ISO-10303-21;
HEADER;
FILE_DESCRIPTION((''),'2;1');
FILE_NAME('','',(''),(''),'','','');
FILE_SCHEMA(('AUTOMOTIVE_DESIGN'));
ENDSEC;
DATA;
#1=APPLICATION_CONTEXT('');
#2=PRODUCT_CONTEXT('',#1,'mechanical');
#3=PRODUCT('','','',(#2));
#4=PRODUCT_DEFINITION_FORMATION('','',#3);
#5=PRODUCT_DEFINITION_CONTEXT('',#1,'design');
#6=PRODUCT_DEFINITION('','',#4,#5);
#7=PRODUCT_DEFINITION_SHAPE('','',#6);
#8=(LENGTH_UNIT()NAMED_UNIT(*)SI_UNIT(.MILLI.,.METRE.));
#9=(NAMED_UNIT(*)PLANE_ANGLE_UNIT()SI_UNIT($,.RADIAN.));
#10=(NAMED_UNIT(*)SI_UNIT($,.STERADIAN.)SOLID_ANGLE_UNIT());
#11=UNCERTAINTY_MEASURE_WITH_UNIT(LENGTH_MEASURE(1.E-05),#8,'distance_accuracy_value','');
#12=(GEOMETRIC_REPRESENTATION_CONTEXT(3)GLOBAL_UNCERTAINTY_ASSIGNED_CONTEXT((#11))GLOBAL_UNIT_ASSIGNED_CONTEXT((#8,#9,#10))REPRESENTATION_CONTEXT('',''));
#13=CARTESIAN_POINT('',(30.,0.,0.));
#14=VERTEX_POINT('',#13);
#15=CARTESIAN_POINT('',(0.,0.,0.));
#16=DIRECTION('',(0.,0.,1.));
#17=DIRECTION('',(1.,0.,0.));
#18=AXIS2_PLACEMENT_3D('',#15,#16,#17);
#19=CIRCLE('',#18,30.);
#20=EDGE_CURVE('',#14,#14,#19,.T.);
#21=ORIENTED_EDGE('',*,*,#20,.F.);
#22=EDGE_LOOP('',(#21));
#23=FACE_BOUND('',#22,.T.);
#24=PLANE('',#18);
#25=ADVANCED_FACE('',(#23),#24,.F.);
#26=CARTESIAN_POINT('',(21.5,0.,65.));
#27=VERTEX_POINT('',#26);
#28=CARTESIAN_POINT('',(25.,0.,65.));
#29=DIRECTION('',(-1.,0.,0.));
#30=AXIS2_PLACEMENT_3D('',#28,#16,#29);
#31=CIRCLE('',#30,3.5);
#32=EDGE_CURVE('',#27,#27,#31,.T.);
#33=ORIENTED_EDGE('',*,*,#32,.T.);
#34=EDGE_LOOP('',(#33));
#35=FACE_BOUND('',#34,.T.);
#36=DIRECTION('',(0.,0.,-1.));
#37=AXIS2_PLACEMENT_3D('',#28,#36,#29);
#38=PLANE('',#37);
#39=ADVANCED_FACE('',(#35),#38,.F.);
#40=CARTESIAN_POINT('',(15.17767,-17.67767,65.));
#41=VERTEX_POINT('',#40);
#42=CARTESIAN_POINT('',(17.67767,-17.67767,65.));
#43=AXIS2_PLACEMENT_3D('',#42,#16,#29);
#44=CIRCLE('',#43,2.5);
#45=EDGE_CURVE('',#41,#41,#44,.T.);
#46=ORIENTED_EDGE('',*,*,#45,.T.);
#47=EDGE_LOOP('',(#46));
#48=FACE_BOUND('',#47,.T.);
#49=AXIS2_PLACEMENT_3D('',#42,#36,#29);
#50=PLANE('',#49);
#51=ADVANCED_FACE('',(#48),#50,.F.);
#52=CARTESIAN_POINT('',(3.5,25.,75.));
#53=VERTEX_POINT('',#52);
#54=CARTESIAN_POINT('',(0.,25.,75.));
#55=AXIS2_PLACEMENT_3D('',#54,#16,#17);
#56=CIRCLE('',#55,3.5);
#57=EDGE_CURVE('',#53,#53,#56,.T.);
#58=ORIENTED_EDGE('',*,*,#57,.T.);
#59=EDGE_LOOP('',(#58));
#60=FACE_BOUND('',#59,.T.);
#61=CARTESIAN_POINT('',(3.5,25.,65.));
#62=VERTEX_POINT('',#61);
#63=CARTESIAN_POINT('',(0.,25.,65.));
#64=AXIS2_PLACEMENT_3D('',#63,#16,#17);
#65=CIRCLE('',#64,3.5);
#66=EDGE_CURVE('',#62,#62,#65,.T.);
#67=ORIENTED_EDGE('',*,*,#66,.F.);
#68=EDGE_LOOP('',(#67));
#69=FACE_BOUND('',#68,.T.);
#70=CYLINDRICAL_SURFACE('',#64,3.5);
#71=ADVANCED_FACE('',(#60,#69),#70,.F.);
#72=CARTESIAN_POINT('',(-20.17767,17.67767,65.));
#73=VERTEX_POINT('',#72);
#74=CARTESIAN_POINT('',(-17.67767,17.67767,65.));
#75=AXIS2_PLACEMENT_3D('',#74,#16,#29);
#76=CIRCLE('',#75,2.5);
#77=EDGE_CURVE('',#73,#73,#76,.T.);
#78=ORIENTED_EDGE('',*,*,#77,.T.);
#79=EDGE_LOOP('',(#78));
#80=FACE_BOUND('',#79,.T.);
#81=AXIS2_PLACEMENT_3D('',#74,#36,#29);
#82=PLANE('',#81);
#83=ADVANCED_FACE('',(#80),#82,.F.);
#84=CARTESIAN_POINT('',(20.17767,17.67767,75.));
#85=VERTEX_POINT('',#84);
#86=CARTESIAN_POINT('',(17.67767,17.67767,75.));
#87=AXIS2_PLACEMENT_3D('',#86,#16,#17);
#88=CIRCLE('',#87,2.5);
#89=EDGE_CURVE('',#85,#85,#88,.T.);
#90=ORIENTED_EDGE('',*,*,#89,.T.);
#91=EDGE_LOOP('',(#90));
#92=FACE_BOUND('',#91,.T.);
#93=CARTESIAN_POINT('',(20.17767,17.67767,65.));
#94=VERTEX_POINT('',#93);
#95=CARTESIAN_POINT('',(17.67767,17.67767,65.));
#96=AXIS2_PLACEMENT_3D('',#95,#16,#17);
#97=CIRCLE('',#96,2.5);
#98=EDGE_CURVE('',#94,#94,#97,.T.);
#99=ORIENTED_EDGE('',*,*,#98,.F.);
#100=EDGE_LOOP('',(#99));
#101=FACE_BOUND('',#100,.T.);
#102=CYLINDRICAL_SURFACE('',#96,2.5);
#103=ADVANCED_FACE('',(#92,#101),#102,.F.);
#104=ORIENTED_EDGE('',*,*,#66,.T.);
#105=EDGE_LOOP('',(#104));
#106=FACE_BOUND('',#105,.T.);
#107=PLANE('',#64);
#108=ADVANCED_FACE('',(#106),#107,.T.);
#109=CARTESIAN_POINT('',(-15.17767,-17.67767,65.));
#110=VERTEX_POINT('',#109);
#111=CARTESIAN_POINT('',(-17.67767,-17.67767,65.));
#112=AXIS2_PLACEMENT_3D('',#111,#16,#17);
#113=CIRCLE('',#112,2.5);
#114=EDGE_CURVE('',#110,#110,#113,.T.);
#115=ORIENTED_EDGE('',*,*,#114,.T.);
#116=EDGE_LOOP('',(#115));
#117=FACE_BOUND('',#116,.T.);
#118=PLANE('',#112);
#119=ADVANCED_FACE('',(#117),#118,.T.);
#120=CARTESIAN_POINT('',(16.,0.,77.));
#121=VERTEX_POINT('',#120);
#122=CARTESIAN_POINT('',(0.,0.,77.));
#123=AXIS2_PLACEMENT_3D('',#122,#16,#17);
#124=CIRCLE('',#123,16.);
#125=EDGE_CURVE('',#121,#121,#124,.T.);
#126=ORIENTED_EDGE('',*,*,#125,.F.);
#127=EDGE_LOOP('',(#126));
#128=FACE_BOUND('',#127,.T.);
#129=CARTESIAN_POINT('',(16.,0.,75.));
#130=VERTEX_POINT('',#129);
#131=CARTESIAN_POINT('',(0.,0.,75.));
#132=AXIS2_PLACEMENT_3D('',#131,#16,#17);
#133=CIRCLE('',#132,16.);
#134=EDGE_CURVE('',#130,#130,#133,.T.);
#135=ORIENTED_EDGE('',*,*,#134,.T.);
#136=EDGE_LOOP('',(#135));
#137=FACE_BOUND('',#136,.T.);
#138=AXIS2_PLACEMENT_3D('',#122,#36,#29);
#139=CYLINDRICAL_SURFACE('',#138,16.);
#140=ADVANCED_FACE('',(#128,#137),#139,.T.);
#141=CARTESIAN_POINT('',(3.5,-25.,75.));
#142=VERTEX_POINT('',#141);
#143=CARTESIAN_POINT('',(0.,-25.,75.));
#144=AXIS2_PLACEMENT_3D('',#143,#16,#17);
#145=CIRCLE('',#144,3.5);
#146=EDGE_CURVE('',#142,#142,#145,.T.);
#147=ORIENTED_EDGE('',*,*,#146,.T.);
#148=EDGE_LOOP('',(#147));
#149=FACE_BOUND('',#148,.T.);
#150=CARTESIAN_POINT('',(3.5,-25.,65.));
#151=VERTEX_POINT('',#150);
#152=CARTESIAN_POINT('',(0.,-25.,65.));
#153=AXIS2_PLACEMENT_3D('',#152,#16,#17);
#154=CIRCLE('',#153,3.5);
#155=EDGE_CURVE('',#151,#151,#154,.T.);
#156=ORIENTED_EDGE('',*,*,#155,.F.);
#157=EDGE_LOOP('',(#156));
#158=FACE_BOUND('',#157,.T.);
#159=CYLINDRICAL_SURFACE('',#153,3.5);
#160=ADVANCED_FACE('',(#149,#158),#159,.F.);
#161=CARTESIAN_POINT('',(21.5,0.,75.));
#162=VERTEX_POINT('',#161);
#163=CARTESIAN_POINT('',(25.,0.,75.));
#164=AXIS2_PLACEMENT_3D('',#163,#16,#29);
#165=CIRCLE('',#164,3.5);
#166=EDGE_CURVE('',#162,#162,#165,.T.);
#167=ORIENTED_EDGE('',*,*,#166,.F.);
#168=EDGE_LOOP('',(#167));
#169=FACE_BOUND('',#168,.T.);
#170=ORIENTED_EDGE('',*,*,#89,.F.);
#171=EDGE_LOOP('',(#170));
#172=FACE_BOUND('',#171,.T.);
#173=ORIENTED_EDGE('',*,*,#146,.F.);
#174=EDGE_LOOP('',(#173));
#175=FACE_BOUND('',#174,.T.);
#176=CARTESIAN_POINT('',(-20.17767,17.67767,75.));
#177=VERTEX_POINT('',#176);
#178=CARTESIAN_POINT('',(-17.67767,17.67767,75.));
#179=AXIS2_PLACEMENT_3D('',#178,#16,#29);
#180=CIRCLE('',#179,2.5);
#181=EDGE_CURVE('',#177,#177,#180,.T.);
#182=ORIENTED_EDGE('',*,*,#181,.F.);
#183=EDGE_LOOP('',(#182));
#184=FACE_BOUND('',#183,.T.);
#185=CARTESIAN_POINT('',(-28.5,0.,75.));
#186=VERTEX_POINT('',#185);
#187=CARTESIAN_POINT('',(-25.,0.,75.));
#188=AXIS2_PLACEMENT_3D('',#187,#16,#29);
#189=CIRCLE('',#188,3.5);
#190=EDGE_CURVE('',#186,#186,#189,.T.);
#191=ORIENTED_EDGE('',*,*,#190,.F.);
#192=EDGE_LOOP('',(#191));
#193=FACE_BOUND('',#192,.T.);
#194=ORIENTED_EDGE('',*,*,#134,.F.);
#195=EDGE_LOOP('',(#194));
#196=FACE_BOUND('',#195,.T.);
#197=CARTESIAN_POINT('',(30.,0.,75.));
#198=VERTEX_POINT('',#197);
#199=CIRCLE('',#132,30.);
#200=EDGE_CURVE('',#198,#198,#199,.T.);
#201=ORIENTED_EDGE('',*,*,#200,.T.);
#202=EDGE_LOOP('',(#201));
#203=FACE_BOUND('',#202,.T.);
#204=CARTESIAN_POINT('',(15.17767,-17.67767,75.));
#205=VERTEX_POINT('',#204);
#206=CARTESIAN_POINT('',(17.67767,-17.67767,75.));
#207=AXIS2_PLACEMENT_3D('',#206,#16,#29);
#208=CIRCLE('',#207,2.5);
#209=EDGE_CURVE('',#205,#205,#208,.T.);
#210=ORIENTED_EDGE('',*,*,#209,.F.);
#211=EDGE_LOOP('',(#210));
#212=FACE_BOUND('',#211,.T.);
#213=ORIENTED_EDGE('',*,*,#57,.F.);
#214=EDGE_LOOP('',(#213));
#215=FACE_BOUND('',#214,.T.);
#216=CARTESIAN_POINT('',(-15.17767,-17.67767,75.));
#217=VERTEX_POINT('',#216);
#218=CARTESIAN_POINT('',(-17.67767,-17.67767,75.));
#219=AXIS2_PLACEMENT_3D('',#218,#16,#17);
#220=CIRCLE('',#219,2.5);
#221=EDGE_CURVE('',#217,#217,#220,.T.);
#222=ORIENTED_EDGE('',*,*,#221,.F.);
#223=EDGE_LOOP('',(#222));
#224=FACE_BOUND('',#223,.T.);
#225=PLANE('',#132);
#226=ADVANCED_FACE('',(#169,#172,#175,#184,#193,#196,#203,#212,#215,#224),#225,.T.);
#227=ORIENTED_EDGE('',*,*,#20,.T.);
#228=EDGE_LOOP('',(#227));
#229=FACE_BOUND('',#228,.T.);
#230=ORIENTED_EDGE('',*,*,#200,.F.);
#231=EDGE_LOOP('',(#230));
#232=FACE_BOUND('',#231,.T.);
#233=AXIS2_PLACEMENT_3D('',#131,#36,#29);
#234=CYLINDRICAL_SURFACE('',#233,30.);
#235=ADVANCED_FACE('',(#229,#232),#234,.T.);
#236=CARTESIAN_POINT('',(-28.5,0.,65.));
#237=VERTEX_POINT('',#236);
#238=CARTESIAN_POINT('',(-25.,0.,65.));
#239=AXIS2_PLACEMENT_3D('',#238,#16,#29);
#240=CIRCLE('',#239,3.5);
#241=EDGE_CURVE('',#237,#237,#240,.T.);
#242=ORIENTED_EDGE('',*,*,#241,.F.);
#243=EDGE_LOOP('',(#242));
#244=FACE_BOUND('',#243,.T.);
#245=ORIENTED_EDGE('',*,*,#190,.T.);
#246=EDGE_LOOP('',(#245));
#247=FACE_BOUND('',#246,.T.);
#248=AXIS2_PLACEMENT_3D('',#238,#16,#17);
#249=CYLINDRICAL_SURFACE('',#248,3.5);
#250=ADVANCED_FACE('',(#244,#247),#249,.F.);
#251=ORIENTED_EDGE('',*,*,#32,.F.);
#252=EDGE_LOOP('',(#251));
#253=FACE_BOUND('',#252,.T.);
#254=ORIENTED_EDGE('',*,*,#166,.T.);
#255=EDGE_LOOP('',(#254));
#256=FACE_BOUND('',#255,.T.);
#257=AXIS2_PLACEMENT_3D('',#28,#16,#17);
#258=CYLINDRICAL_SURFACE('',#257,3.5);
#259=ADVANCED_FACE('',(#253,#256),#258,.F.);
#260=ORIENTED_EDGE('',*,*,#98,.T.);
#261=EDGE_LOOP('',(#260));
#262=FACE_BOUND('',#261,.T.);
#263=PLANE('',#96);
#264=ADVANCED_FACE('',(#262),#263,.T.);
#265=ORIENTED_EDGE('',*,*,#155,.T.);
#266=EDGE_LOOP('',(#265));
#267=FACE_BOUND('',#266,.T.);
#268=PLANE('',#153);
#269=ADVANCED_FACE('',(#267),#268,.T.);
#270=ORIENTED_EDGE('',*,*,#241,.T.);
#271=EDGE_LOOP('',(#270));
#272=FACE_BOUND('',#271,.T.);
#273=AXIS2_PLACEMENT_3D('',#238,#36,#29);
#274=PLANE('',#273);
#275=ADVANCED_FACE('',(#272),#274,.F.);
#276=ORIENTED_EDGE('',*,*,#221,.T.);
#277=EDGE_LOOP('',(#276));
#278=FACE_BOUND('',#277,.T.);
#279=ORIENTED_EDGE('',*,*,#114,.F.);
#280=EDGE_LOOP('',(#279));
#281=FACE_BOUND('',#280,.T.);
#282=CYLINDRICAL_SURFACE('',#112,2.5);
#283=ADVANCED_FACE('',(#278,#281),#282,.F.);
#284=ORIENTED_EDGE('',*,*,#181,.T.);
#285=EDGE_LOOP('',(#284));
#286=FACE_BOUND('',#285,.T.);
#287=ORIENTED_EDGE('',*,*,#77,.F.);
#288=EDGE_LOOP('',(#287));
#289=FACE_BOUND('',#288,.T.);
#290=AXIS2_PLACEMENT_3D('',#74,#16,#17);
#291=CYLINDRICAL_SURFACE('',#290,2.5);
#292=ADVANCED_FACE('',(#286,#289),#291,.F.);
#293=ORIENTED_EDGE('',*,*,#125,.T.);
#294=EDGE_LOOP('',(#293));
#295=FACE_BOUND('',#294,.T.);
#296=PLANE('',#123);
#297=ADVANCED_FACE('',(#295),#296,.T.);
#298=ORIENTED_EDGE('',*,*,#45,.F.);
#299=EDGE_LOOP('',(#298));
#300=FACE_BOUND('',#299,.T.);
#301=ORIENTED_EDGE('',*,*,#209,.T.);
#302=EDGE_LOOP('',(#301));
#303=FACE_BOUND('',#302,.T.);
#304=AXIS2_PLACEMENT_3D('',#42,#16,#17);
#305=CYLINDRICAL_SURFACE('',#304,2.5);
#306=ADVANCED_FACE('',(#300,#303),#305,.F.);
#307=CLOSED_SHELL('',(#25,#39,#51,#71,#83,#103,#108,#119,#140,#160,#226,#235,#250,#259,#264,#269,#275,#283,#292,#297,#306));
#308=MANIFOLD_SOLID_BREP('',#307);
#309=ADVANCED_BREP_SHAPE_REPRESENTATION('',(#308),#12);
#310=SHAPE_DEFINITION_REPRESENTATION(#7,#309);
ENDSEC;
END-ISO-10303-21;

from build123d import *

# Parameters (mm, degrees)
SKETCH1_R           = 30
BOSS_EXTRUDE1_DEPTH = 75
SKETCH2_R           = 3.5
SKETCH2_R_2         = 2.5
CUT_EXTRUDE1_DEPTH  = 10
SKETCH3_R           = 16
BOSS_EXTRUDE2_DEPTH = 2


with BuildPart() as part:
    # Sketch1 → Boss-Extrude1 (new body)
    with BuildSketch(Plane.XY):
        Circle(SKETCH1_R)
    extrude(amount=BOSS_EXTRUDE1_DEPTH)

    # Sketch2 → Cut-Extrude1 (cut)
    with BuildSketch(Plane.XY.offset(75)):
        with Locations((0, 25)):
            Circle(SKETCH2_R)
        with Locations((17.67766953, 17.67766953)):
            Circle(SKETCH2_R_2)
        with Locations(Location((-17.67766953, 17.67766953, 0), (0, 0, 180))):
            Circle(SKETCH2_R_2)
        with Locations(Location((17.67766953, -17.67766953, 0), (0, 0, 180))):
            Circle(SKETCH2_R_2)
        with Locations((-17.67766953, -17.67766953)):
            Circle(SKETCH2_R_2)
        with Locations(Location((25, 0, 0), (0, 0, 180))):
            Circle(SKETCH2_R)
        with Locations(Location((-25, 0, 0), (0, 0, 180))):
            Circle(SKETCH2_R)
        with Locations((0, -25)):
            Circle(SKETCH2_R)
    extrude(amount=-CUT_EXTRUDE1_DEPTH, mode=Mode.SUBTRACT)

    # Sketch3 → Boss-Extrude2 (add)
    with BuildSketch(Plane.XY.offset(75)):
        Circle(SKETCH3_R)
    extrude(amount=BOSS_EXTRUDE2_DEPTH)


solid = part.part
